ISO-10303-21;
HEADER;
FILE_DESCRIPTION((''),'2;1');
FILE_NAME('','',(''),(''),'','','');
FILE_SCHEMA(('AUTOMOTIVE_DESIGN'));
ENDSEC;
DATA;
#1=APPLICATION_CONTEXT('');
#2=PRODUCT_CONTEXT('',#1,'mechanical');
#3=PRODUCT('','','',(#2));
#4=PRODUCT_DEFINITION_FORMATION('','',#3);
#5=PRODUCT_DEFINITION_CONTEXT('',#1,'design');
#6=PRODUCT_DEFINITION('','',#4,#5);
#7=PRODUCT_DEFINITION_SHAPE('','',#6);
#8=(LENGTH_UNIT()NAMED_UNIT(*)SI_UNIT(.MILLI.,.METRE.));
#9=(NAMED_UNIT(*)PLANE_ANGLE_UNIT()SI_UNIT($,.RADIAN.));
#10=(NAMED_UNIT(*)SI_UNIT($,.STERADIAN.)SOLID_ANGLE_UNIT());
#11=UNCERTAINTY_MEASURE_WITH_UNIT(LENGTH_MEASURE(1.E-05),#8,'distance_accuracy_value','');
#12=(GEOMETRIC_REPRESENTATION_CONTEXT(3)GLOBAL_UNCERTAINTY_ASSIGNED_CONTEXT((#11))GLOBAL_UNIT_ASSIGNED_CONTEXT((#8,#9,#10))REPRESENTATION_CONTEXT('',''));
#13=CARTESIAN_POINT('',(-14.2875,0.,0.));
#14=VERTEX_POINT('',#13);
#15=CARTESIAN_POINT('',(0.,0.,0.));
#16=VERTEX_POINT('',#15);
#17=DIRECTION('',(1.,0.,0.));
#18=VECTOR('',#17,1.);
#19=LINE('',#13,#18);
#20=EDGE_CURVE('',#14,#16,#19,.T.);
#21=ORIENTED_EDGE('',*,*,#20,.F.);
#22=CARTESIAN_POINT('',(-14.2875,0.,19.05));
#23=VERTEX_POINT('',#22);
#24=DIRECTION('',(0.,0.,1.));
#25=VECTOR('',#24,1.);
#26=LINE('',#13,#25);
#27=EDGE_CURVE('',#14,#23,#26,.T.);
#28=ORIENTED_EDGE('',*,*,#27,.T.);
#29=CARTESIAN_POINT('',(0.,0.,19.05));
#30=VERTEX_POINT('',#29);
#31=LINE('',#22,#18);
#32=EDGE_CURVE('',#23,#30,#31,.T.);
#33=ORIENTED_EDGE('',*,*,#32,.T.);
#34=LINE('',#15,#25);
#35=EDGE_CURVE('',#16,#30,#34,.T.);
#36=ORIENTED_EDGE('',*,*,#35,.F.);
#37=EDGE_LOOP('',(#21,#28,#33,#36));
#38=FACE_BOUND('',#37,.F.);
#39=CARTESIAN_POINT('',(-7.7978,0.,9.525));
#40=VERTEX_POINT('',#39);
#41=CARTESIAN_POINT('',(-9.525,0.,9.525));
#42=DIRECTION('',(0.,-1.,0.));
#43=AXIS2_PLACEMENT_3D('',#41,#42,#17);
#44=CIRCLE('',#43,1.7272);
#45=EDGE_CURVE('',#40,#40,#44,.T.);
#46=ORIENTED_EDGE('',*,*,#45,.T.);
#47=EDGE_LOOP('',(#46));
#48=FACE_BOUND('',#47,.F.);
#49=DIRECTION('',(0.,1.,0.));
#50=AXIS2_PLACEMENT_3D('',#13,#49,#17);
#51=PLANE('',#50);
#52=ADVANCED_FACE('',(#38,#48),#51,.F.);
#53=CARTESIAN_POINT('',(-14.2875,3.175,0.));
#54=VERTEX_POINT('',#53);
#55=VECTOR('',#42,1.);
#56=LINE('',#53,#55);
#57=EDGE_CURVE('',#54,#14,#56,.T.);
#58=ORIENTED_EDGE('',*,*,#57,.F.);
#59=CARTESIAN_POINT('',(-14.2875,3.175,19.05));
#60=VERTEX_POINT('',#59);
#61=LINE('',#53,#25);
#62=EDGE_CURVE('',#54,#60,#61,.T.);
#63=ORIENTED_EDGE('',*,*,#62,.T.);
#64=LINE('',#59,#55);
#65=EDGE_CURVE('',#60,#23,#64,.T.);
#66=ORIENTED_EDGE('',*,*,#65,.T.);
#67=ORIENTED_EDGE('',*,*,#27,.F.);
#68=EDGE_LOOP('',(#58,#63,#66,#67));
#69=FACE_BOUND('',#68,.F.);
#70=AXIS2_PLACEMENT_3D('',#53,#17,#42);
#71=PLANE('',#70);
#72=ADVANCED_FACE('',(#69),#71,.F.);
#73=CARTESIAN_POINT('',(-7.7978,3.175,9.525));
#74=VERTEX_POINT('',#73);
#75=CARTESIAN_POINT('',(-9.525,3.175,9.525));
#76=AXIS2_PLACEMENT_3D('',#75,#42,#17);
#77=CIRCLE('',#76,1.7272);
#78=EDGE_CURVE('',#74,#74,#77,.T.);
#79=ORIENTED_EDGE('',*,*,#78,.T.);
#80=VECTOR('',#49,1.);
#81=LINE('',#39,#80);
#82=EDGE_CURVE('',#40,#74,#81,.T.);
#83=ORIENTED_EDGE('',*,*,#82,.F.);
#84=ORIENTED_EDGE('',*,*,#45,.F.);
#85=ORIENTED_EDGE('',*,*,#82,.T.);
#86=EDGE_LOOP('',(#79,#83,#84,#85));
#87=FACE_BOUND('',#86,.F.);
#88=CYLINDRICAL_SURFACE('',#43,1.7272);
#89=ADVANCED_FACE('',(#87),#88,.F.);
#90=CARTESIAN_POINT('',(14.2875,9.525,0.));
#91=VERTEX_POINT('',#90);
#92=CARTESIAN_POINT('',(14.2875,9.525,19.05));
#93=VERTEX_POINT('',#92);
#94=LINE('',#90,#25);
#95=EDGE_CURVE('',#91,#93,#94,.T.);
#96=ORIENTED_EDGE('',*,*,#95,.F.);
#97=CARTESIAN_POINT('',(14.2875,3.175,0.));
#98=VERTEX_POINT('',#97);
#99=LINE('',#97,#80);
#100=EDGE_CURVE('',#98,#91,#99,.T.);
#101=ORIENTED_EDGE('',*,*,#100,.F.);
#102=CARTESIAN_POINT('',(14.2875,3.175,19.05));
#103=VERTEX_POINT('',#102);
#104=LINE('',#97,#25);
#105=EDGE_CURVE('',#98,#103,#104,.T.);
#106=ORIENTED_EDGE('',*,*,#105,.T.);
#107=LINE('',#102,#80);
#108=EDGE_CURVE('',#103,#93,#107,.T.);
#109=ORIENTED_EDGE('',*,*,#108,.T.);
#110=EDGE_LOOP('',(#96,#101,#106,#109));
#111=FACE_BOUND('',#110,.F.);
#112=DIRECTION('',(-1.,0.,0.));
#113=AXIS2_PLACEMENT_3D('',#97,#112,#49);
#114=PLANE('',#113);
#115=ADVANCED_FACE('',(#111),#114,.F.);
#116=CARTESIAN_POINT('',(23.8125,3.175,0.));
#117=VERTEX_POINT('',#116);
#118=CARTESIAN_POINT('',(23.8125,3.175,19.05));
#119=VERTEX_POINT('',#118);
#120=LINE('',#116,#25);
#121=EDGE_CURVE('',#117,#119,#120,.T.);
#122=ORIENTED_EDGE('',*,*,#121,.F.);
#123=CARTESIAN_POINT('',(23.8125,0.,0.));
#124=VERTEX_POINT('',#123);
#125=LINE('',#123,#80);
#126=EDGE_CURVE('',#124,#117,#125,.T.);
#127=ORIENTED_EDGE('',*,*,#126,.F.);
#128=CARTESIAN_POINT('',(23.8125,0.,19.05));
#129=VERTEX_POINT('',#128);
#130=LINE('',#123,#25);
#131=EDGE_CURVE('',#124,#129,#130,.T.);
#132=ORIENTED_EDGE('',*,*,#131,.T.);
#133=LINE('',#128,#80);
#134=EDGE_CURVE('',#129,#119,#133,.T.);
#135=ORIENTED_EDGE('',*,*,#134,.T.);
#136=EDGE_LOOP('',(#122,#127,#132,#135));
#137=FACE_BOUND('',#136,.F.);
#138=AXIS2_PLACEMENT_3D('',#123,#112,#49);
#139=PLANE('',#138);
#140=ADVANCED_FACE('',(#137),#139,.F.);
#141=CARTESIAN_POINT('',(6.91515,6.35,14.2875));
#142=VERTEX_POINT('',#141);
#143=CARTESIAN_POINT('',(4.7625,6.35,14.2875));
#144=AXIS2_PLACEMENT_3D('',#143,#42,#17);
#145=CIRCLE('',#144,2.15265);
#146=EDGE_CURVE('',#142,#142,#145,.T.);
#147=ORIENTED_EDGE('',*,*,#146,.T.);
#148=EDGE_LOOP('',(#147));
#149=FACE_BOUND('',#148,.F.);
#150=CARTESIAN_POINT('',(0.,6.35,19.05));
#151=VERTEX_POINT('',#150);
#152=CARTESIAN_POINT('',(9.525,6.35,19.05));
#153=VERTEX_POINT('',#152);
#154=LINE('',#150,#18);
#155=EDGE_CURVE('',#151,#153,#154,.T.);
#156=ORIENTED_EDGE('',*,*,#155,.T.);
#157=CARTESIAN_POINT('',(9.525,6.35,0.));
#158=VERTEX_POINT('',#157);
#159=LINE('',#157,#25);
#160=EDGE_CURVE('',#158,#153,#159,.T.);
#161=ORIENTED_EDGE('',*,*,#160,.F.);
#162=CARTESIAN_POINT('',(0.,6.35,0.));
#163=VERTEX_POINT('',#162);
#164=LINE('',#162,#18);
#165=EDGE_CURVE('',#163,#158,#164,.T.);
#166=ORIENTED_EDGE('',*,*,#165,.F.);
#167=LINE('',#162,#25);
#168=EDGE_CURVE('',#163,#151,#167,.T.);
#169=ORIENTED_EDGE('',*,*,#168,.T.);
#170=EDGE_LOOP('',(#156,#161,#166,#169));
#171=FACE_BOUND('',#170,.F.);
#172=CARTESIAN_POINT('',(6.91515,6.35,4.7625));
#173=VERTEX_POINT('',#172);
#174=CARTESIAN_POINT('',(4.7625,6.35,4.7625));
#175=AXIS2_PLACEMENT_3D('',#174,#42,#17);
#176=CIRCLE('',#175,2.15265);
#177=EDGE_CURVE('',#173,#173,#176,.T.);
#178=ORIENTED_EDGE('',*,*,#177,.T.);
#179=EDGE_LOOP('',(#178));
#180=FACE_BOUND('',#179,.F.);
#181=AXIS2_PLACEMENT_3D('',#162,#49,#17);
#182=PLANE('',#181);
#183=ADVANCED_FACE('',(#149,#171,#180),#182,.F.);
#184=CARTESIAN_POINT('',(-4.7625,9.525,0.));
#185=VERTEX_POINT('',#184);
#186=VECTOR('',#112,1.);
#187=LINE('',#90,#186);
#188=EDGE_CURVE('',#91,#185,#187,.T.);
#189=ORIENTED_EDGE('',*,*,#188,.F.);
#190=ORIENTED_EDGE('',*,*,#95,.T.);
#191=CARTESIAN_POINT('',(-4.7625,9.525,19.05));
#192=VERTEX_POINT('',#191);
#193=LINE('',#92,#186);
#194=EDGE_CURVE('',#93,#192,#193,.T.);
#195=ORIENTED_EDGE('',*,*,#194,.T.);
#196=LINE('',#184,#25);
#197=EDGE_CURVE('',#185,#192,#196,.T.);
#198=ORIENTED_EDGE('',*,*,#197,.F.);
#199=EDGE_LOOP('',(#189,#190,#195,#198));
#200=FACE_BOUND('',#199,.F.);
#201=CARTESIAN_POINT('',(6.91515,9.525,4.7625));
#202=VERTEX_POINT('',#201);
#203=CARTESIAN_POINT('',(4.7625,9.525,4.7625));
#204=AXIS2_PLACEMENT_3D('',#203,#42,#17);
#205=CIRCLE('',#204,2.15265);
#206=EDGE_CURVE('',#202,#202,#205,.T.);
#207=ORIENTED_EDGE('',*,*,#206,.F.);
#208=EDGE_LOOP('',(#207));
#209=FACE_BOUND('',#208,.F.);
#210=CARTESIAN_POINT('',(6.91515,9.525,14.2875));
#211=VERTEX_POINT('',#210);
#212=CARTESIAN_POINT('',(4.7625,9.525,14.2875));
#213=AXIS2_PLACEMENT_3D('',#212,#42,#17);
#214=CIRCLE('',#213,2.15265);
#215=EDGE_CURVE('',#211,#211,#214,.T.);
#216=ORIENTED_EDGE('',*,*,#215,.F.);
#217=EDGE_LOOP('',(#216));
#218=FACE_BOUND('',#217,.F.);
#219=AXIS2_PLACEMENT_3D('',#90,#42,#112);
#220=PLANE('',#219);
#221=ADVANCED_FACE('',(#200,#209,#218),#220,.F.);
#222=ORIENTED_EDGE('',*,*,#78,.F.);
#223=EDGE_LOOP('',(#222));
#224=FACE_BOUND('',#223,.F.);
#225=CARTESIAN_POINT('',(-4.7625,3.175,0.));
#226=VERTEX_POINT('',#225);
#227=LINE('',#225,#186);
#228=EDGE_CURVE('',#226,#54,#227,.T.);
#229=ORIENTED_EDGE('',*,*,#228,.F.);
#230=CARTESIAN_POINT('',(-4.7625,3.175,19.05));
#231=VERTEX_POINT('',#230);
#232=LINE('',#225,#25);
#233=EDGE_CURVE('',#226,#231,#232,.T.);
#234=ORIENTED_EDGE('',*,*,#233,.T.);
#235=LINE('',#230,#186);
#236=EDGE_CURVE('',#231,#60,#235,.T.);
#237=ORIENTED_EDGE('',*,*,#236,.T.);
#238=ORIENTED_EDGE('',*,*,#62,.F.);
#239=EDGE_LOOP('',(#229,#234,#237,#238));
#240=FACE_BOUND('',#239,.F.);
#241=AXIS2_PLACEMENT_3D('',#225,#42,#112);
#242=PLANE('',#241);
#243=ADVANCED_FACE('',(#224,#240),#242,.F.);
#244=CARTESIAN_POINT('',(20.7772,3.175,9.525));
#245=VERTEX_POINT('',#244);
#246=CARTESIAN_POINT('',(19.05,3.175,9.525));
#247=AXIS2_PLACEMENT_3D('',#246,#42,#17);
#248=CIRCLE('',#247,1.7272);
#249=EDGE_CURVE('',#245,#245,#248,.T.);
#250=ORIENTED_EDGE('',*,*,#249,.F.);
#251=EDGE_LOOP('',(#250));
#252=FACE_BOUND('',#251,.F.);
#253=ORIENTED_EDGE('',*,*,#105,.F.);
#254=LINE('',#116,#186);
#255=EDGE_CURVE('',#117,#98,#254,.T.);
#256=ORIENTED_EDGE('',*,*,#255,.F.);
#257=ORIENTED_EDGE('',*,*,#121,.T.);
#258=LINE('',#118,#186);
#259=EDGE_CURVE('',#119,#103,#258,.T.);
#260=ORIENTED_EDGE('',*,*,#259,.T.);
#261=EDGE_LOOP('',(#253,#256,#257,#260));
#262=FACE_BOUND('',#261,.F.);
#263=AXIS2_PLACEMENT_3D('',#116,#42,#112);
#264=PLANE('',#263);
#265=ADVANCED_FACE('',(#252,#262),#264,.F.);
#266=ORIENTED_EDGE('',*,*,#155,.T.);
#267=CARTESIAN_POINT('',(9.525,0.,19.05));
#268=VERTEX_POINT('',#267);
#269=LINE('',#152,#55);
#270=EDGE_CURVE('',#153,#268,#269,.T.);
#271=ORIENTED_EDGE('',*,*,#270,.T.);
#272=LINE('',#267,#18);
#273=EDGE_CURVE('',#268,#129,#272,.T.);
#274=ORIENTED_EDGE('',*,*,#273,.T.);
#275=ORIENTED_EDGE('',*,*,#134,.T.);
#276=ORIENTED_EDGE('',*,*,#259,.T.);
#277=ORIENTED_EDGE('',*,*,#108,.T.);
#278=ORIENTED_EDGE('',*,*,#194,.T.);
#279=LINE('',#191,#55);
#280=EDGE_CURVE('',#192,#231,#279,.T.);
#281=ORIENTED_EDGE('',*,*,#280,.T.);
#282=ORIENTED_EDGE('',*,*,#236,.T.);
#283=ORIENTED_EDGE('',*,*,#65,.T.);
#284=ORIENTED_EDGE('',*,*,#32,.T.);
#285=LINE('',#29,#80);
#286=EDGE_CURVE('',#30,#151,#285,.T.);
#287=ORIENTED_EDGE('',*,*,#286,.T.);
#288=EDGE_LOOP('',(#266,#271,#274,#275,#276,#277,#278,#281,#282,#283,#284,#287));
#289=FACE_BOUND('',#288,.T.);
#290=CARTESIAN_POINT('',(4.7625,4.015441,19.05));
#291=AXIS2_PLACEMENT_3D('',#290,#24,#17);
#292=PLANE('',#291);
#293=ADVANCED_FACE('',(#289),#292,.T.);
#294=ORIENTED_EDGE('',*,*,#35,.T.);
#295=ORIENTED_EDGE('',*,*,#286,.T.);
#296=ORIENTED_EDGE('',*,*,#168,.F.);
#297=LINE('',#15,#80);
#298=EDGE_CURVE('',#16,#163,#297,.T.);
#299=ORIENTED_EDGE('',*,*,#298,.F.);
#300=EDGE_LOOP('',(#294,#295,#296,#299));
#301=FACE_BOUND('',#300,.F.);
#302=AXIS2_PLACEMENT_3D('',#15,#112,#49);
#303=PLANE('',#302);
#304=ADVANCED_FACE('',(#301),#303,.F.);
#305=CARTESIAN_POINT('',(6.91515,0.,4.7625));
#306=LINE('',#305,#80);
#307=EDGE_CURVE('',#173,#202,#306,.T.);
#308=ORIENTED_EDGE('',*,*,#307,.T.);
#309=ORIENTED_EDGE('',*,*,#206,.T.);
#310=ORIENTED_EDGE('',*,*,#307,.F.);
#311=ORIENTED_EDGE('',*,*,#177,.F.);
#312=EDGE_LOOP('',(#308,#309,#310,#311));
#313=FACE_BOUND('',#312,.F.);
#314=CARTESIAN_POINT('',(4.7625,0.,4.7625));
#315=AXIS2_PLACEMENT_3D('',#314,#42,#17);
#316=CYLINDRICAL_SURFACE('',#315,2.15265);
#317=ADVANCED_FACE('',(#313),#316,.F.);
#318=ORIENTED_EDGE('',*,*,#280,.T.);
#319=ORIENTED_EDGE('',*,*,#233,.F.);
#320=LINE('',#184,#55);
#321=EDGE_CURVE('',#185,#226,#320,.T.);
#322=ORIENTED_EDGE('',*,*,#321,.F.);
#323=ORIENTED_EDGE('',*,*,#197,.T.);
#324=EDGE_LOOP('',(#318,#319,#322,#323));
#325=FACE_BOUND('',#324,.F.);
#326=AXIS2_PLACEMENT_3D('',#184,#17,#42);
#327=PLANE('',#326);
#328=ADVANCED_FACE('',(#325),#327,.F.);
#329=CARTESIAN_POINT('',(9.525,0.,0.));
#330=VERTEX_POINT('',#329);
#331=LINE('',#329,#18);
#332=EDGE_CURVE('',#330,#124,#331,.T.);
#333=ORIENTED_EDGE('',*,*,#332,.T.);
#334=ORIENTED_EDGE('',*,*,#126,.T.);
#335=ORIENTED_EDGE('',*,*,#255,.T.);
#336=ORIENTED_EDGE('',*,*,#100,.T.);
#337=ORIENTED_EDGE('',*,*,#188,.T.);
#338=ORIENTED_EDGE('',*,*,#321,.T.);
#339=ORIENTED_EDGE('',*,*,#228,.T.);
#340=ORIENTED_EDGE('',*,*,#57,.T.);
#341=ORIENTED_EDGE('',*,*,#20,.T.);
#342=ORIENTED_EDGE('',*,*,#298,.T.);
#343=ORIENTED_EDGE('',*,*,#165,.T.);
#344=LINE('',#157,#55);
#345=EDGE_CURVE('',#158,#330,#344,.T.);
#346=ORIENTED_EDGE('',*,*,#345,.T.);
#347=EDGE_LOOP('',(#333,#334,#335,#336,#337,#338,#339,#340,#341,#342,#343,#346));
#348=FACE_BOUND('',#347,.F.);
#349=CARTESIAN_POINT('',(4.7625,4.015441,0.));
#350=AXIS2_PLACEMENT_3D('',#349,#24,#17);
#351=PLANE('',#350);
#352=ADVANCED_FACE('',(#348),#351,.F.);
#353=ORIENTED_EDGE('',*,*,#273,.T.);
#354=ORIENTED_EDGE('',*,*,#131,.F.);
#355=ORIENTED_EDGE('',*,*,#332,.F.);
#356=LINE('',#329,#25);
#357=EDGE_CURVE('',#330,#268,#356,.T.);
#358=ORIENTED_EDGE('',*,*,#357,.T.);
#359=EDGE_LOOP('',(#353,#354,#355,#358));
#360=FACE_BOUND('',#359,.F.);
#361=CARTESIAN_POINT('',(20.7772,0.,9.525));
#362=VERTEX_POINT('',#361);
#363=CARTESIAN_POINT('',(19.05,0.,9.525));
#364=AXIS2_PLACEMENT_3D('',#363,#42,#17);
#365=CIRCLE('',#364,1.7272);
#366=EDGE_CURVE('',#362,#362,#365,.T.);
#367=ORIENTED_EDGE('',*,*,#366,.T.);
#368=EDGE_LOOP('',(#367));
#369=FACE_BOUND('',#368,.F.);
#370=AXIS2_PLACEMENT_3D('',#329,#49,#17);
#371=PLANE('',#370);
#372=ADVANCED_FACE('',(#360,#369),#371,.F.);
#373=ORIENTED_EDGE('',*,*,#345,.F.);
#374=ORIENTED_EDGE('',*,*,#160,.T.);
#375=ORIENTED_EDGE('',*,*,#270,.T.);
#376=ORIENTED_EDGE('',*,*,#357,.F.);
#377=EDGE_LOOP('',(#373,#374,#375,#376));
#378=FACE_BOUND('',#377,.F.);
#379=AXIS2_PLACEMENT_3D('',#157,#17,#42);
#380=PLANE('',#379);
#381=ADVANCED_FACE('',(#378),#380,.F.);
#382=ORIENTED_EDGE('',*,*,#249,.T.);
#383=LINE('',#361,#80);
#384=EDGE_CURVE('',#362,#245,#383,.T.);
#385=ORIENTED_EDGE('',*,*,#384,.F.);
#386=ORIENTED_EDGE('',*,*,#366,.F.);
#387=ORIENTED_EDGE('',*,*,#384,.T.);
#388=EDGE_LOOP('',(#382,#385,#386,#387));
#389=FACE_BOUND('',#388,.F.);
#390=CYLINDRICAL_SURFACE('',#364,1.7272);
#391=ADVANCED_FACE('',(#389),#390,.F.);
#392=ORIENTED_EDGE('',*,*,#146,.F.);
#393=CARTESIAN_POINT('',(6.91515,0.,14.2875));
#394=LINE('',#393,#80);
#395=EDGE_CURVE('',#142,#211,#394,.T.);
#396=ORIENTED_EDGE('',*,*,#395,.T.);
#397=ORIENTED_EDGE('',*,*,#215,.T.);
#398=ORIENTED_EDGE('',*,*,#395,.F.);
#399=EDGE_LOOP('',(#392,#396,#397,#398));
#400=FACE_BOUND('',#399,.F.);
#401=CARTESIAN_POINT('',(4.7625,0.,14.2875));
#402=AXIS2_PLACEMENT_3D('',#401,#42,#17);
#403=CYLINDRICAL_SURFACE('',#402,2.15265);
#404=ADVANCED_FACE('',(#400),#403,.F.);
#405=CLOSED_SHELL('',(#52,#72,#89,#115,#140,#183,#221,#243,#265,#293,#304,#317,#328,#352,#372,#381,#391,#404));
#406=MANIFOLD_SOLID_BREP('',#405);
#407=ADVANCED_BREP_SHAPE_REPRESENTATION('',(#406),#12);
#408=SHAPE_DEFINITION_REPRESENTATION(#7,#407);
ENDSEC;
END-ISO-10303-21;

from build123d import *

# Parameters (mm, degrees)
F1_DEPTH = 19.05
F2_R     = 2.15265
F2_R_2   = 1.7272
F3_DEPTH = 9.525


with BuildPart() as f1:
    # F0 (on Top) → F1 (new body)
    with BuildSketch(Plane.XY):
        Polygon((0, 0), (0, 6.35), (9.525, 6.35), (9.525, 0), (23.8125, 0), (23.8125, 3.175), (14.2875, 3.175), (14.2875, 9.525), (-4.7625, 9.525), (-4.7625, 3.175), (-14.2875, 3.175), (-14.2875, 0), align=None)
    extrude(amount=F1_DEPTH)

    # F2 (on face) → F3 (cut, through all)
    with BuildSketch(Plane.XZ):
        with Locations((4.7625, 4.7625)):
            Circle(F2_R)
        with Locations((4.7625, 14.2875)):
            Circle(F2_R)
        with Locations((-9.525, 9.525)):
            Circle(F2_R_2)
        with Locations((19.05, 9.525)):
            Circle(F2_R_2)
    extrude(amount=-F3_DEPTH, mode=Mode.SUBTRACT)


solid = f1.part
